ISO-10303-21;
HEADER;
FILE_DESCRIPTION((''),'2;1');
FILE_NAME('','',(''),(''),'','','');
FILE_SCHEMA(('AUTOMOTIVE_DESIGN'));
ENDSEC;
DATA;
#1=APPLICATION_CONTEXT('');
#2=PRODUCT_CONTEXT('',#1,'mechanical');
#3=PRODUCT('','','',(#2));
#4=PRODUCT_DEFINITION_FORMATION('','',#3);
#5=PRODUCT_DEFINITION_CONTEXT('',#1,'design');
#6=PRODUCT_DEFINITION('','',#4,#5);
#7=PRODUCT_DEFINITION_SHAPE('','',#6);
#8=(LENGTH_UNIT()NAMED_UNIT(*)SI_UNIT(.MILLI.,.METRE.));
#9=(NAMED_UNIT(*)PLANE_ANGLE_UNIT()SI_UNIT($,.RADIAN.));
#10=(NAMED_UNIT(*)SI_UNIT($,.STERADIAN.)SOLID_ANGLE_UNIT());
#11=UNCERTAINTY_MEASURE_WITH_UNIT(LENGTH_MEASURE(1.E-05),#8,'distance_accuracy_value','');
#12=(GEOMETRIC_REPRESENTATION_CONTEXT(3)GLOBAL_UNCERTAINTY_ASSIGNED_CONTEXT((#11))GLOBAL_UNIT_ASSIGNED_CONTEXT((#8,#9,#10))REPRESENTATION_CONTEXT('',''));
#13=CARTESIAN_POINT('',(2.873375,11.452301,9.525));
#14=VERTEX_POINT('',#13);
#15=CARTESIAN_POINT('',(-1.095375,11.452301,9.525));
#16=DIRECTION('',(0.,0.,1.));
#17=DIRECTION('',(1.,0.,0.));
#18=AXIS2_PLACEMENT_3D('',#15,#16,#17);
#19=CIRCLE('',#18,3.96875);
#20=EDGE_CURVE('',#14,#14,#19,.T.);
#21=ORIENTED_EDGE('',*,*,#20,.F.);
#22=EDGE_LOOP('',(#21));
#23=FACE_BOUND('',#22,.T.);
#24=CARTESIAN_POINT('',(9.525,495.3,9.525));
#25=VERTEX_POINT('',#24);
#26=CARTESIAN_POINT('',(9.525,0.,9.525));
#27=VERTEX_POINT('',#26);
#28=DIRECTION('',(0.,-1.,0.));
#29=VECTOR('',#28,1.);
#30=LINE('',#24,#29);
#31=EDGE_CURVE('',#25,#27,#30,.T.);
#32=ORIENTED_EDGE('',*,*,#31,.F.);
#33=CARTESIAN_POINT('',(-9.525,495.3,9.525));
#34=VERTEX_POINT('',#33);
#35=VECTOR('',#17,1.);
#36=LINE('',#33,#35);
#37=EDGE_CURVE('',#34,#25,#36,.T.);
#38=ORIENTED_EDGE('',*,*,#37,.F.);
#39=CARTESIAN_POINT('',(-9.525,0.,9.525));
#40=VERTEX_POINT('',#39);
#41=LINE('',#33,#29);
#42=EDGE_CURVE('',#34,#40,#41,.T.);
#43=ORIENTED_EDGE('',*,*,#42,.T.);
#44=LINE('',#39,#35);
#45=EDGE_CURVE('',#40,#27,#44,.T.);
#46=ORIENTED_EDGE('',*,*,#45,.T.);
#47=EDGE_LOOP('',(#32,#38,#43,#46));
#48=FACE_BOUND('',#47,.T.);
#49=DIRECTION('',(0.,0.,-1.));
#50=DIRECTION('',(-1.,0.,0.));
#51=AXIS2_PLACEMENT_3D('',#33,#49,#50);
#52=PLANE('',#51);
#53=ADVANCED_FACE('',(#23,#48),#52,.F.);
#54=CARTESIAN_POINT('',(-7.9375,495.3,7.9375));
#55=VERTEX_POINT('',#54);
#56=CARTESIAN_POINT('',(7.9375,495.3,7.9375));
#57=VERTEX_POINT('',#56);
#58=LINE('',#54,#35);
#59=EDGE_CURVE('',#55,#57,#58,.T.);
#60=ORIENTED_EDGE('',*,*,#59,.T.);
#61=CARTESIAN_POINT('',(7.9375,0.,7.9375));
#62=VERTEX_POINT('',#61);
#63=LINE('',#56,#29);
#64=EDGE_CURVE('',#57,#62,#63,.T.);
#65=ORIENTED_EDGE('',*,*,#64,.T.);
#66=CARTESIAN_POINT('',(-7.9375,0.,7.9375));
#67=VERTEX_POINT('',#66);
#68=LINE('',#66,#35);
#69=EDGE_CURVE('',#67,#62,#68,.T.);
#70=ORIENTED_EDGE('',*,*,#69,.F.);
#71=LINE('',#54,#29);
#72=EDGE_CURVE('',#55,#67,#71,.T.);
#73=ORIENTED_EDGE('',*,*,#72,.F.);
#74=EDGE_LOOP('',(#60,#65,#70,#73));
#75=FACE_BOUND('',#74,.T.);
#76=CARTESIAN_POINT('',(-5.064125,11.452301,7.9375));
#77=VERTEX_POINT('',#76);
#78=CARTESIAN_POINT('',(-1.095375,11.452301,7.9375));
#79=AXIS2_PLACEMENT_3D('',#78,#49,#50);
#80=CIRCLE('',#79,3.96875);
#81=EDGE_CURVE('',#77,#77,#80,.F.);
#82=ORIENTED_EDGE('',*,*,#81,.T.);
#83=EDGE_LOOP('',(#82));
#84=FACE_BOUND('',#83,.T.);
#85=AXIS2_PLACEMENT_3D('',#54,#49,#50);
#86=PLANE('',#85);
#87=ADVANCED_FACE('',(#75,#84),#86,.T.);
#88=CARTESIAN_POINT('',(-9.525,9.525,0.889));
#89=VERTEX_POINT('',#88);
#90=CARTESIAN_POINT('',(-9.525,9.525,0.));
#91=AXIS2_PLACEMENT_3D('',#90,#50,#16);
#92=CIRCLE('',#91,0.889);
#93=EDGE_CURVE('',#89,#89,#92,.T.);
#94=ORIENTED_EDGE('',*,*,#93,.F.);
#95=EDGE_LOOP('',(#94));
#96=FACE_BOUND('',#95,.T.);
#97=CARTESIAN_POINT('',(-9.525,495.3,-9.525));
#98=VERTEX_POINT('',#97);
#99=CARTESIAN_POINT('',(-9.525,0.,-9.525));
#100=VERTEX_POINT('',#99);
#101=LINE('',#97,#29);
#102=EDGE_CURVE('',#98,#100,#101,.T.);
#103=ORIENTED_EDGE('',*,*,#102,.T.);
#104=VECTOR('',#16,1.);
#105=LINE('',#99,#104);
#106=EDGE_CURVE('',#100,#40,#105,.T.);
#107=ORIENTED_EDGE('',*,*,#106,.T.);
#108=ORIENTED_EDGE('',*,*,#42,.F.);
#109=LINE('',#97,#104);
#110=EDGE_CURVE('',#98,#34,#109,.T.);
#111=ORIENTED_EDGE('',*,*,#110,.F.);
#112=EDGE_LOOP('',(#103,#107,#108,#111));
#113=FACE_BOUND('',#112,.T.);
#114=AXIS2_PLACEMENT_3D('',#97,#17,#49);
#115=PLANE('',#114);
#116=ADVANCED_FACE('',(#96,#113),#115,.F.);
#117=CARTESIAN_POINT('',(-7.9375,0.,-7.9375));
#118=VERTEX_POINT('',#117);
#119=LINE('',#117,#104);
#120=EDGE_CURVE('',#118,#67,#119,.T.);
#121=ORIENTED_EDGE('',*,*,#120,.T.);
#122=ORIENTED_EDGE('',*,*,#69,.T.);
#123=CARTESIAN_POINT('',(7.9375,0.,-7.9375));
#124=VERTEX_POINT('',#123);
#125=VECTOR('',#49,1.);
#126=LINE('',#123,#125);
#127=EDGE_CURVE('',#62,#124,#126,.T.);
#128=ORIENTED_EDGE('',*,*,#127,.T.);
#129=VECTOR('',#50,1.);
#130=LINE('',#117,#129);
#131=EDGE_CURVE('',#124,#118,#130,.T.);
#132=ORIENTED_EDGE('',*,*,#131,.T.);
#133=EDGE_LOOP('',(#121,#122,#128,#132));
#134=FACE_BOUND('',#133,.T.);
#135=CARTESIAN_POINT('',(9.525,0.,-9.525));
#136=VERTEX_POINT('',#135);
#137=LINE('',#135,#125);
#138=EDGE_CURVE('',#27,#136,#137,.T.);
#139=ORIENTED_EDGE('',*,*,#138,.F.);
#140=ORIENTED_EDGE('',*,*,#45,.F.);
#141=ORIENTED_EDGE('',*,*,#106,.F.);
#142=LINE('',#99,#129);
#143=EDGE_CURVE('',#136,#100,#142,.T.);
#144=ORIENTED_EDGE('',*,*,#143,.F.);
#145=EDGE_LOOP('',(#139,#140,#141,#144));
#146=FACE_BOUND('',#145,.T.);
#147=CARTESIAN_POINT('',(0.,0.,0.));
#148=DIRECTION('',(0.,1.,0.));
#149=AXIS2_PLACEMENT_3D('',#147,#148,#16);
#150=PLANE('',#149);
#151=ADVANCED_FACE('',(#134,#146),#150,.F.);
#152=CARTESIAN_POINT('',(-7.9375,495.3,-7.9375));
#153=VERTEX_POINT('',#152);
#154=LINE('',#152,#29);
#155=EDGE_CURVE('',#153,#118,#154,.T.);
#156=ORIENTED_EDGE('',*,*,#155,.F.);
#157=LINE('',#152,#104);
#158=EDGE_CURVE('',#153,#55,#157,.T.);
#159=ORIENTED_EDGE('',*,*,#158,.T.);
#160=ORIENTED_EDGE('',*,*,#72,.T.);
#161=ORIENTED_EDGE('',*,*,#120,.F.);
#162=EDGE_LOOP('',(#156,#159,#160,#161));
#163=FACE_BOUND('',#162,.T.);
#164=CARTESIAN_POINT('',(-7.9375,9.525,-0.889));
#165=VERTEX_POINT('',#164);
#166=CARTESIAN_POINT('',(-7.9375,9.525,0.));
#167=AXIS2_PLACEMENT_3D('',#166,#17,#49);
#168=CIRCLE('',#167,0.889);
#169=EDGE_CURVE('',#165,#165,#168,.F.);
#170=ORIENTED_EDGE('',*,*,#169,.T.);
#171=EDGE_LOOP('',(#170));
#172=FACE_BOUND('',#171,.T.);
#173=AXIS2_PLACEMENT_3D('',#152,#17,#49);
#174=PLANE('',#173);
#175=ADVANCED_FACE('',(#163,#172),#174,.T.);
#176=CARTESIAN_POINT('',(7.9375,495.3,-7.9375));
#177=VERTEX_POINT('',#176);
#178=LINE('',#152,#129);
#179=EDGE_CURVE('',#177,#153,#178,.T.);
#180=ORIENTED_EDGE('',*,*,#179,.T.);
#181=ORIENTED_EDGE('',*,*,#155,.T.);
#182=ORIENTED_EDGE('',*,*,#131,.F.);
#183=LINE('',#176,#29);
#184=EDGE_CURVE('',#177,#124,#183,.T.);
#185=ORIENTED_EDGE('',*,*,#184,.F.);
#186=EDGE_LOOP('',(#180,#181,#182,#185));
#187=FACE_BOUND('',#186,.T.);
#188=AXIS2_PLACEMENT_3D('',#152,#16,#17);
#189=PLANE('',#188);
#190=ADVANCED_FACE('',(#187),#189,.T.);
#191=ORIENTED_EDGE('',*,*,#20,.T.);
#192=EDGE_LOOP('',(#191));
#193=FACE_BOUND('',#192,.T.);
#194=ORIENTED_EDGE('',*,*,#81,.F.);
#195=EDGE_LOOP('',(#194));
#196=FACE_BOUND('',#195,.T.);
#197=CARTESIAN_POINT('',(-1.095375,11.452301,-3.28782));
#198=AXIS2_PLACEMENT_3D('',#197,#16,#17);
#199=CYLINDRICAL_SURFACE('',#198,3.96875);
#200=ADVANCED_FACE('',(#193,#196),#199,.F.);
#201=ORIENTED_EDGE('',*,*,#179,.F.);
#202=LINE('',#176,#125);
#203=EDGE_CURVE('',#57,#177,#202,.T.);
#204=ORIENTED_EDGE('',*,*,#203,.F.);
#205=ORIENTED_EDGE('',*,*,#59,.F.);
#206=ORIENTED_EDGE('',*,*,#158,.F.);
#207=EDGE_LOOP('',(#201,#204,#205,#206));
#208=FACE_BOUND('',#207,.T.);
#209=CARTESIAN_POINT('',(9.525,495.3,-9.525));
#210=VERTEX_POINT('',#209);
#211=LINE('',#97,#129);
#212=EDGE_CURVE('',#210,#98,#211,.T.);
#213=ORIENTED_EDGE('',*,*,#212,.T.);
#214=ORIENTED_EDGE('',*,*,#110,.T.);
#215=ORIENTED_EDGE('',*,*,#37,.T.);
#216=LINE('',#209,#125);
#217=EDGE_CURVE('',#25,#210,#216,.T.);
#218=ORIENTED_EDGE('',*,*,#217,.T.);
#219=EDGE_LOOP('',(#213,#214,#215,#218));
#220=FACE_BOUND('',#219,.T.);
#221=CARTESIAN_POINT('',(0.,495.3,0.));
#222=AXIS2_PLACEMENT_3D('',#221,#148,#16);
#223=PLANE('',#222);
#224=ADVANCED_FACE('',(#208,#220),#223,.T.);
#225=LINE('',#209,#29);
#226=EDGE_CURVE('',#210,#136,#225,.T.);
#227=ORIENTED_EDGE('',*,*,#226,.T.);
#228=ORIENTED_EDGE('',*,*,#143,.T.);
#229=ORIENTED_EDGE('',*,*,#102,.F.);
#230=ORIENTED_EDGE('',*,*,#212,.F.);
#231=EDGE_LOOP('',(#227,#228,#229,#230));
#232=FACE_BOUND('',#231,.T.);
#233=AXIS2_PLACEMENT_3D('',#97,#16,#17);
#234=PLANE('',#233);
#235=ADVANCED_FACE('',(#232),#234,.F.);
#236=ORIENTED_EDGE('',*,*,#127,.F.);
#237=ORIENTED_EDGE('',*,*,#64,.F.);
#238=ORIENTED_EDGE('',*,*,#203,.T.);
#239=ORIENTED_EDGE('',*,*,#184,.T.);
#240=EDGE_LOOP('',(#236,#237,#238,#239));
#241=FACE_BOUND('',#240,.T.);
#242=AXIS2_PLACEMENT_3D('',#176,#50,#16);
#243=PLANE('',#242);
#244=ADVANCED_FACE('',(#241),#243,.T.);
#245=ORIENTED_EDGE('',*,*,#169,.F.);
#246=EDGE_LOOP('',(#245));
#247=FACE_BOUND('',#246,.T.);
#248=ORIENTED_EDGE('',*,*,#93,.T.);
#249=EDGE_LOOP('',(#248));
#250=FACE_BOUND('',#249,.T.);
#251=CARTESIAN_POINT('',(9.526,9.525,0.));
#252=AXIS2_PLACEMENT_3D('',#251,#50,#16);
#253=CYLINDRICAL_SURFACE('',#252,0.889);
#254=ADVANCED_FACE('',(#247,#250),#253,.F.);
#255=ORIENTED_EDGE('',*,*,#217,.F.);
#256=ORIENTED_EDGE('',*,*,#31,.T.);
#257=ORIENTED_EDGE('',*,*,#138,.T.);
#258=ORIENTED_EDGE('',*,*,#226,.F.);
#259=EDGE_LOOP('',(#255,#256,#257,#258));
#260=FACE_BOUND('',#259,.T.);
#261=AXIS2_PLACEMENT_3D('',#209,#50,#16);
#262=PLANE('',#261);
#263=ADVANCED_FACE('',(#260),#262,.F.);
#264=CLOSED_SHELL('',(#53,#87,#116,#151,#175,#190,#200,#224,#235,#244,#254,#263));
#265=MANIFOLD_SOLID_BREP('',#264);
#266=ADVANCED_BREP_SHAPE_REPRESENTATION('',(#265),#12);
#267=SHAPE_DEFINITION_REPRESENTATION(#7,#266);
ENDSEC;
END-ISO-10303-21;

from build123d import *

# Parameters (mm, degrees)
SKETCH1_W           = 19.05
SKETCH1_H           = 19.05
SKETCH1_W_2         = 15.875
SKETCH1_H_2         = 15.875
BOSS_EXTRUDE1_DEPTH = 495.3
SKETCH2_R           = 3.96875
CUT_EXTRUDE1_DEPTH  = 1.5875
CUT_EXTRUDE2_REACH  = 21.05
SKETCH3_R           = 0.889


with BuildPart() as part:
    # Sketch1 → Boss-Extrude1 (new body)
    with BuildSketch(Plane(origin=(0, 0, 0), x_dir=(1, 0, 0), z_dir=(0, 1, 0))):
        Rectangle(SKETCH1_W, SKETCH1_H)
        Rectangle(SKETCH1_W_2, SKETCH1_H_2, mode=Mode.SUBTRACT)
    extrude(amount=BOSS_EXTRUDE1_DEPTH)

    # Sketch2 → Cut-Extrude1 (cut)
    with BuildSketch(Plane.XY.offset(9.525)):
        with Locations((-1.095375, 11.4523012)):
            Circle(SKETCH2_R)
    extrude(amount=-CUT_EXTRUDE1_DEPTH, mode=Mode.SUBTRACT)

    # Sketch3 → Cut-Extrude2 (cut, up to next)
    with BuildSketch(Plane.ZY.offset(9.525), mode=Mode.PRIVATE) as cut_extrude2_sk1:
        with Locations((0, 9.525)):
            Circle(SKETCH3_R)
    cut_extrude2_tool1 = extrude(cut_extrude2_sk1.sketch, amount=-CUT_EXTRUDE2_REACH, mode=Mode.PRIVATE) & part.part
    add(cut_extrude2_tool1.solids().sort_by_distance((-9.525, 9.525, 0))[0], mode=Mode.SUBTRACT)


solid = part.part
